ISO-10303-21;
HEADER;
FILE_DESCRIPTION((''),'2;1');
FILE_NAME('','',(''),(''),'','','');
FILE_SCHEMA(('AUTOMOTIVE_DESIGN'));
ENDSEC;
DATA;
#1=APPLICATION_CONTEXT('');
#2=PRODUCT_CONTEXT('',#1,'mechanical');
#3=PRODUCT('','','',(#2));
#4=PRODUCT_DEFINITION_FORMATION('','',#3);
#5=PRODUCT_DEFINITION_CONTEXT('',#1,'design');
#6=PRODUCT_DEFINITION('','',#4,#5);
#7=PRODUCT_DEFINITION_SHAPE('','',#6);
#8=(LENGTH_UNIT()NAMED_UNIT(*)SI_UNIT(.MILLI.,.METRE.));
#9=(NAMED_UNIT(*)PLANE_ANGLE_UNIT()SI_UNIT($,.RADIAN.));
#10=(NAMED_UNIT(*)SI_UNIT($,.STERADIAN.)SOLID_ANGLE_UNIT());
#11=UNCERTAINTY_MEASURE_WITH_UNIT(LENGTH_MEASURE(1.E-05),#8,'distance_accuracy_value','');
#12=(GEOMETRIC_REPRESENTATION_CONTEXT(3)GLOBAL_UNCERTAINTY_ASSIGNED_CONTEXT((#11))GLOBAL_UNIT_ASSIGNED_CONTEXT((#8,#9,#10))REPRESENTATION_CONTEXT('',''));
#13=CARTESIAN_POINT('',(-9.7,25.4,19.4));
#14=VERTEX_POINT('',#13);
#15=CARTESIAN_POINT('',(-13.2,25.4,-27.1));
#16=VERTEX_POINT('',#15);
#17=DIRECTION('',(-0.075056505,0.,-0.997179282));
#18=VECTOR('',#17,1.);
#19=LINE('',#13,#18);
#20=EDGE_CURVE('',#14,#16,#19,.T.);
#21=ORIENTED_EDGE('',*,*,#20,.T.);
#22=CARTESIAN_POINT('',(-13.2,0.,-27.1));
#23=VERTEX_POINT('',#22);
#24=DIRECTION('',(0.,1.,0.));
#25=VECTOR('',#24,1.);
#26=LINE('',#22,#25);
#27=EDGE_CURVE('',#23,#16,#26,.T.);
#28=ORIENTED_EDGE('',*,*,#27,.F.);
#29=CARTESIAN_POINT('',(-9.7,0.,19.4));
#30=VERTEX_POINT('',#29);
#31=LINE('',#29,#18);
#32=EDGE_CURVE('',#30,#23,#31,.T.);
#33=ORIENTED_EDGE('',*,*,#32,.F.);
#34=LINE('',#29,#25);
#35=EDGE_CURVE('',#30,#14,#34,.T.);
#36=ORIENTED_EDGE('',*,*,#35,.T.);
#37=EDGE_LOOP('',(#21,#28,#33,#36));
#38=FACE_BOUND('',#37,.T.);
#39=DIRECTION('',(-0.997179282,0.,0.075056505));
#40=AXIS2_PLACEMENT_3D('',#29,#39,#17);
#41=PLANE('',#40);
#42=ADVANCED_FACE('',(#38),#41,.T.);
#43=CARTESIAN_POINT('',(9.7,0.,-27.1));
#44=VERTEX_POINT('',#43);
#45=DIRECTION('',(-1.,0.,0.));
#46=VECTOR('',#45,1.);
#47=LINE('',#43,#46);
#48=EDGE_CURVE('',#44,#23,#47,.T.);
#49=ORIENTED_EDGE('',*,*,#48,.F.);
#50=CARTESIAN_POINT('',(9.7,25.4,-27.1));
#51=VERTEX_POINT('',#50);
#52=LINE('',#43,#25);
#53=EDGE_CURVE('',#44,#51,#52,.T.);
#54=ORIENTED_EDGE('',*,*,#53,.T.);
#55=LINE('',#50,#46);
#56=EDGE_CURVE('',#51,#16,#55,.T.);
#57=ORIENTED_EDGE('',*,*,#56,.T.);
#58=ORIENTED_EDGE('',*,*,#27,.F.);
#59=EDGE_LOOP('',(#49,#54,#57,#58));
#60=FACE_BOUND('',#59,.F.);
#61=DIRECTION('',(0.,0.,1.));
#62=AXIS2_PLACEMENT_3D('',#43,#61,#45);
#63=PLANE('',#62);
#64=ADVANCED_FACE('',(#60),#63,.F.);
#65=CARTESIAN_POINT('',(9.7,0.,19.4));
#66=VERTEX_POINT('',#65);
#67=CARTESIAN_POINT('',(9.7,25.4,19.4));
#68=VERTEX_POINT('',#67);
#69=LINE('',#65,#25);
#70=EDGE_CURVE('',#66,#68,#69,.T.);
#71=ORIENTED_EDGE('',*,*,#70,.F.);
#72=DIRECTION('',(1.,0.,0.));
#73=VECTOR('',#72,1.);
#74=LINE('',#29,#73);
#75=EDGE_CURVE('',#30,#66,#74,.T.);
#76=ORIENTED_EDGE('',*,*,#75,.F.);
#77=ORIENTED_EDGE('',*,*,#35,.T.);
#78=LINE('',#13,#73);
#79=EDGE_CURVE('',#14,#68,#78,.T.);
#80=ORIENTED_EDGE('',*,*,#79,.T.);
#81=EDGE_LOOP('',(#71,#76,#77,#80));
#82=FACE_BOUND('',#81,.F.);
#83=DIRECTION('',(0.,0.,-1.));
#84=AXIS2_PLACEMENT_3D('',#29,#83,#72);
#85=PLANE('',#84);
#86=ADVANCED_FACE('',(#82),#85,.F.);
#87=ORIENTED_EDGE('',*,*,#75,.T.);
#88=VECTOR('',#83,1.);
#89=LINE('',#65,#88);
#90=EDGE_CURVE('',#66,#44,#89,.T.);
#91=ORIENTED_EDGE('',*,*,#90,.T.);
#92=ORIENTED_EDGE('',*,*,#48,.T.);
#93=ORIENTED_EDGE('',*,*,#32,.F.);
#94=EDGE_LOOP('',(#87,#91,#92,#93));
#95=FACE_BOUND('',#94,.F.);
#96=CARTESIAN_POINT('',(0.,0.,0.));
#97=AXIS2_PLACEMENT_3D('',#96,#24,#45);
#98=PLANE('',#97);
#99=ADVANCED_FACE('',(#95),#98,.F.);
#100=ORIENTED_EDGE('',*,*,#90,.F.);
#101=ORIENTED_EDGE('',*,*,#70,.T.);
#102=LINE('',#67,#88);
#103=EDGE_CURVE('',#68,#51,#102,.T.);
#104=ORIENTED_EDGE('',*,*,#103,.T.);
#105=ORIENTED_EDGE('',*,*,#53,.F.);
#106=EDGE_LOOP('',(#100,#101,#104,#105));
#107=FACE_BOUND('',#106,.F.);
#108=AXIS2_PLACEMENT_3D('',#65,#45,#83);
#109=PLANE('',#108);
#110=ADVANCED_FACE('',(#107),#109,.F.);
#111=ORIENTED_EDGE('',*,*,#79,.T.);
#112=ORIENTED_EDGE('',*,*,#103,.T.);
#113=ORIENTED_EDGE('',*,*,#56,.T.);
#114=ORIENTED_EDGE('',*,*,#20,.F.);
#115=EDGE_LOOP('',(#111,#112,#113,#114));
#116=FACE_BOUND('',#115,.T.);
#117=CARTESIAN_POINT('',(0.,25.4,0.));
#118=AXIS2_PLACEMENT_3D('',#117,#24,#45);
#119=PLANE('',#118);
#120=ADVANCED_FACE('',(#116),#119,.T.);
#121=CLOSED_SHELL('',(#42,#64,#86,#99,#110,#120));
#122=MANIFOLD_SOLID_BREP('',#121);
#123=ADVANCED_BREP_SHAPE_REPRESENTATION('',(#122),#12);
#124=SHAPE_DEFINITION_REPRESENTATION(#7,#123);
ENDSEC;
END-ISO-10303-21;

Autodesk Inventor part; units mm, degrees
ref_plane "YZ Plane" through (0, 0, 0) normal (1, 0, 0) x (0, 1, 0)
ref_plane "XZ Plane" through (0, 0, 0) normal (0, 1, 0) x (-1, 0, 0)
ref_plane "XY Plane" through (0, 0, 0) normal (0, 0, 1) x (1, 0, 0)
sketch "Sketch1" plane through (0, 0, 0) normal (0, 1, 0) x (-1, 0, 0)
  line L0 (9.7, 19.4) -> (-9.7, 19.4)
  line L1 (-9.7, 19.4) -> (-9.7, -27.1)
  line L2 (-9.7, -27.1) -> (13.2, -27.1)
  line L3 (9.7, 19.4) -> (13.2, -27.1)
  point P0 (0, 0)
  dimension "d6" = 19.4
  dimension "d7" = 46.5
  dimension "d8" = 22.9
extrude "Extrusion1" add sketch "Sketch1" along normal blind 25.4
